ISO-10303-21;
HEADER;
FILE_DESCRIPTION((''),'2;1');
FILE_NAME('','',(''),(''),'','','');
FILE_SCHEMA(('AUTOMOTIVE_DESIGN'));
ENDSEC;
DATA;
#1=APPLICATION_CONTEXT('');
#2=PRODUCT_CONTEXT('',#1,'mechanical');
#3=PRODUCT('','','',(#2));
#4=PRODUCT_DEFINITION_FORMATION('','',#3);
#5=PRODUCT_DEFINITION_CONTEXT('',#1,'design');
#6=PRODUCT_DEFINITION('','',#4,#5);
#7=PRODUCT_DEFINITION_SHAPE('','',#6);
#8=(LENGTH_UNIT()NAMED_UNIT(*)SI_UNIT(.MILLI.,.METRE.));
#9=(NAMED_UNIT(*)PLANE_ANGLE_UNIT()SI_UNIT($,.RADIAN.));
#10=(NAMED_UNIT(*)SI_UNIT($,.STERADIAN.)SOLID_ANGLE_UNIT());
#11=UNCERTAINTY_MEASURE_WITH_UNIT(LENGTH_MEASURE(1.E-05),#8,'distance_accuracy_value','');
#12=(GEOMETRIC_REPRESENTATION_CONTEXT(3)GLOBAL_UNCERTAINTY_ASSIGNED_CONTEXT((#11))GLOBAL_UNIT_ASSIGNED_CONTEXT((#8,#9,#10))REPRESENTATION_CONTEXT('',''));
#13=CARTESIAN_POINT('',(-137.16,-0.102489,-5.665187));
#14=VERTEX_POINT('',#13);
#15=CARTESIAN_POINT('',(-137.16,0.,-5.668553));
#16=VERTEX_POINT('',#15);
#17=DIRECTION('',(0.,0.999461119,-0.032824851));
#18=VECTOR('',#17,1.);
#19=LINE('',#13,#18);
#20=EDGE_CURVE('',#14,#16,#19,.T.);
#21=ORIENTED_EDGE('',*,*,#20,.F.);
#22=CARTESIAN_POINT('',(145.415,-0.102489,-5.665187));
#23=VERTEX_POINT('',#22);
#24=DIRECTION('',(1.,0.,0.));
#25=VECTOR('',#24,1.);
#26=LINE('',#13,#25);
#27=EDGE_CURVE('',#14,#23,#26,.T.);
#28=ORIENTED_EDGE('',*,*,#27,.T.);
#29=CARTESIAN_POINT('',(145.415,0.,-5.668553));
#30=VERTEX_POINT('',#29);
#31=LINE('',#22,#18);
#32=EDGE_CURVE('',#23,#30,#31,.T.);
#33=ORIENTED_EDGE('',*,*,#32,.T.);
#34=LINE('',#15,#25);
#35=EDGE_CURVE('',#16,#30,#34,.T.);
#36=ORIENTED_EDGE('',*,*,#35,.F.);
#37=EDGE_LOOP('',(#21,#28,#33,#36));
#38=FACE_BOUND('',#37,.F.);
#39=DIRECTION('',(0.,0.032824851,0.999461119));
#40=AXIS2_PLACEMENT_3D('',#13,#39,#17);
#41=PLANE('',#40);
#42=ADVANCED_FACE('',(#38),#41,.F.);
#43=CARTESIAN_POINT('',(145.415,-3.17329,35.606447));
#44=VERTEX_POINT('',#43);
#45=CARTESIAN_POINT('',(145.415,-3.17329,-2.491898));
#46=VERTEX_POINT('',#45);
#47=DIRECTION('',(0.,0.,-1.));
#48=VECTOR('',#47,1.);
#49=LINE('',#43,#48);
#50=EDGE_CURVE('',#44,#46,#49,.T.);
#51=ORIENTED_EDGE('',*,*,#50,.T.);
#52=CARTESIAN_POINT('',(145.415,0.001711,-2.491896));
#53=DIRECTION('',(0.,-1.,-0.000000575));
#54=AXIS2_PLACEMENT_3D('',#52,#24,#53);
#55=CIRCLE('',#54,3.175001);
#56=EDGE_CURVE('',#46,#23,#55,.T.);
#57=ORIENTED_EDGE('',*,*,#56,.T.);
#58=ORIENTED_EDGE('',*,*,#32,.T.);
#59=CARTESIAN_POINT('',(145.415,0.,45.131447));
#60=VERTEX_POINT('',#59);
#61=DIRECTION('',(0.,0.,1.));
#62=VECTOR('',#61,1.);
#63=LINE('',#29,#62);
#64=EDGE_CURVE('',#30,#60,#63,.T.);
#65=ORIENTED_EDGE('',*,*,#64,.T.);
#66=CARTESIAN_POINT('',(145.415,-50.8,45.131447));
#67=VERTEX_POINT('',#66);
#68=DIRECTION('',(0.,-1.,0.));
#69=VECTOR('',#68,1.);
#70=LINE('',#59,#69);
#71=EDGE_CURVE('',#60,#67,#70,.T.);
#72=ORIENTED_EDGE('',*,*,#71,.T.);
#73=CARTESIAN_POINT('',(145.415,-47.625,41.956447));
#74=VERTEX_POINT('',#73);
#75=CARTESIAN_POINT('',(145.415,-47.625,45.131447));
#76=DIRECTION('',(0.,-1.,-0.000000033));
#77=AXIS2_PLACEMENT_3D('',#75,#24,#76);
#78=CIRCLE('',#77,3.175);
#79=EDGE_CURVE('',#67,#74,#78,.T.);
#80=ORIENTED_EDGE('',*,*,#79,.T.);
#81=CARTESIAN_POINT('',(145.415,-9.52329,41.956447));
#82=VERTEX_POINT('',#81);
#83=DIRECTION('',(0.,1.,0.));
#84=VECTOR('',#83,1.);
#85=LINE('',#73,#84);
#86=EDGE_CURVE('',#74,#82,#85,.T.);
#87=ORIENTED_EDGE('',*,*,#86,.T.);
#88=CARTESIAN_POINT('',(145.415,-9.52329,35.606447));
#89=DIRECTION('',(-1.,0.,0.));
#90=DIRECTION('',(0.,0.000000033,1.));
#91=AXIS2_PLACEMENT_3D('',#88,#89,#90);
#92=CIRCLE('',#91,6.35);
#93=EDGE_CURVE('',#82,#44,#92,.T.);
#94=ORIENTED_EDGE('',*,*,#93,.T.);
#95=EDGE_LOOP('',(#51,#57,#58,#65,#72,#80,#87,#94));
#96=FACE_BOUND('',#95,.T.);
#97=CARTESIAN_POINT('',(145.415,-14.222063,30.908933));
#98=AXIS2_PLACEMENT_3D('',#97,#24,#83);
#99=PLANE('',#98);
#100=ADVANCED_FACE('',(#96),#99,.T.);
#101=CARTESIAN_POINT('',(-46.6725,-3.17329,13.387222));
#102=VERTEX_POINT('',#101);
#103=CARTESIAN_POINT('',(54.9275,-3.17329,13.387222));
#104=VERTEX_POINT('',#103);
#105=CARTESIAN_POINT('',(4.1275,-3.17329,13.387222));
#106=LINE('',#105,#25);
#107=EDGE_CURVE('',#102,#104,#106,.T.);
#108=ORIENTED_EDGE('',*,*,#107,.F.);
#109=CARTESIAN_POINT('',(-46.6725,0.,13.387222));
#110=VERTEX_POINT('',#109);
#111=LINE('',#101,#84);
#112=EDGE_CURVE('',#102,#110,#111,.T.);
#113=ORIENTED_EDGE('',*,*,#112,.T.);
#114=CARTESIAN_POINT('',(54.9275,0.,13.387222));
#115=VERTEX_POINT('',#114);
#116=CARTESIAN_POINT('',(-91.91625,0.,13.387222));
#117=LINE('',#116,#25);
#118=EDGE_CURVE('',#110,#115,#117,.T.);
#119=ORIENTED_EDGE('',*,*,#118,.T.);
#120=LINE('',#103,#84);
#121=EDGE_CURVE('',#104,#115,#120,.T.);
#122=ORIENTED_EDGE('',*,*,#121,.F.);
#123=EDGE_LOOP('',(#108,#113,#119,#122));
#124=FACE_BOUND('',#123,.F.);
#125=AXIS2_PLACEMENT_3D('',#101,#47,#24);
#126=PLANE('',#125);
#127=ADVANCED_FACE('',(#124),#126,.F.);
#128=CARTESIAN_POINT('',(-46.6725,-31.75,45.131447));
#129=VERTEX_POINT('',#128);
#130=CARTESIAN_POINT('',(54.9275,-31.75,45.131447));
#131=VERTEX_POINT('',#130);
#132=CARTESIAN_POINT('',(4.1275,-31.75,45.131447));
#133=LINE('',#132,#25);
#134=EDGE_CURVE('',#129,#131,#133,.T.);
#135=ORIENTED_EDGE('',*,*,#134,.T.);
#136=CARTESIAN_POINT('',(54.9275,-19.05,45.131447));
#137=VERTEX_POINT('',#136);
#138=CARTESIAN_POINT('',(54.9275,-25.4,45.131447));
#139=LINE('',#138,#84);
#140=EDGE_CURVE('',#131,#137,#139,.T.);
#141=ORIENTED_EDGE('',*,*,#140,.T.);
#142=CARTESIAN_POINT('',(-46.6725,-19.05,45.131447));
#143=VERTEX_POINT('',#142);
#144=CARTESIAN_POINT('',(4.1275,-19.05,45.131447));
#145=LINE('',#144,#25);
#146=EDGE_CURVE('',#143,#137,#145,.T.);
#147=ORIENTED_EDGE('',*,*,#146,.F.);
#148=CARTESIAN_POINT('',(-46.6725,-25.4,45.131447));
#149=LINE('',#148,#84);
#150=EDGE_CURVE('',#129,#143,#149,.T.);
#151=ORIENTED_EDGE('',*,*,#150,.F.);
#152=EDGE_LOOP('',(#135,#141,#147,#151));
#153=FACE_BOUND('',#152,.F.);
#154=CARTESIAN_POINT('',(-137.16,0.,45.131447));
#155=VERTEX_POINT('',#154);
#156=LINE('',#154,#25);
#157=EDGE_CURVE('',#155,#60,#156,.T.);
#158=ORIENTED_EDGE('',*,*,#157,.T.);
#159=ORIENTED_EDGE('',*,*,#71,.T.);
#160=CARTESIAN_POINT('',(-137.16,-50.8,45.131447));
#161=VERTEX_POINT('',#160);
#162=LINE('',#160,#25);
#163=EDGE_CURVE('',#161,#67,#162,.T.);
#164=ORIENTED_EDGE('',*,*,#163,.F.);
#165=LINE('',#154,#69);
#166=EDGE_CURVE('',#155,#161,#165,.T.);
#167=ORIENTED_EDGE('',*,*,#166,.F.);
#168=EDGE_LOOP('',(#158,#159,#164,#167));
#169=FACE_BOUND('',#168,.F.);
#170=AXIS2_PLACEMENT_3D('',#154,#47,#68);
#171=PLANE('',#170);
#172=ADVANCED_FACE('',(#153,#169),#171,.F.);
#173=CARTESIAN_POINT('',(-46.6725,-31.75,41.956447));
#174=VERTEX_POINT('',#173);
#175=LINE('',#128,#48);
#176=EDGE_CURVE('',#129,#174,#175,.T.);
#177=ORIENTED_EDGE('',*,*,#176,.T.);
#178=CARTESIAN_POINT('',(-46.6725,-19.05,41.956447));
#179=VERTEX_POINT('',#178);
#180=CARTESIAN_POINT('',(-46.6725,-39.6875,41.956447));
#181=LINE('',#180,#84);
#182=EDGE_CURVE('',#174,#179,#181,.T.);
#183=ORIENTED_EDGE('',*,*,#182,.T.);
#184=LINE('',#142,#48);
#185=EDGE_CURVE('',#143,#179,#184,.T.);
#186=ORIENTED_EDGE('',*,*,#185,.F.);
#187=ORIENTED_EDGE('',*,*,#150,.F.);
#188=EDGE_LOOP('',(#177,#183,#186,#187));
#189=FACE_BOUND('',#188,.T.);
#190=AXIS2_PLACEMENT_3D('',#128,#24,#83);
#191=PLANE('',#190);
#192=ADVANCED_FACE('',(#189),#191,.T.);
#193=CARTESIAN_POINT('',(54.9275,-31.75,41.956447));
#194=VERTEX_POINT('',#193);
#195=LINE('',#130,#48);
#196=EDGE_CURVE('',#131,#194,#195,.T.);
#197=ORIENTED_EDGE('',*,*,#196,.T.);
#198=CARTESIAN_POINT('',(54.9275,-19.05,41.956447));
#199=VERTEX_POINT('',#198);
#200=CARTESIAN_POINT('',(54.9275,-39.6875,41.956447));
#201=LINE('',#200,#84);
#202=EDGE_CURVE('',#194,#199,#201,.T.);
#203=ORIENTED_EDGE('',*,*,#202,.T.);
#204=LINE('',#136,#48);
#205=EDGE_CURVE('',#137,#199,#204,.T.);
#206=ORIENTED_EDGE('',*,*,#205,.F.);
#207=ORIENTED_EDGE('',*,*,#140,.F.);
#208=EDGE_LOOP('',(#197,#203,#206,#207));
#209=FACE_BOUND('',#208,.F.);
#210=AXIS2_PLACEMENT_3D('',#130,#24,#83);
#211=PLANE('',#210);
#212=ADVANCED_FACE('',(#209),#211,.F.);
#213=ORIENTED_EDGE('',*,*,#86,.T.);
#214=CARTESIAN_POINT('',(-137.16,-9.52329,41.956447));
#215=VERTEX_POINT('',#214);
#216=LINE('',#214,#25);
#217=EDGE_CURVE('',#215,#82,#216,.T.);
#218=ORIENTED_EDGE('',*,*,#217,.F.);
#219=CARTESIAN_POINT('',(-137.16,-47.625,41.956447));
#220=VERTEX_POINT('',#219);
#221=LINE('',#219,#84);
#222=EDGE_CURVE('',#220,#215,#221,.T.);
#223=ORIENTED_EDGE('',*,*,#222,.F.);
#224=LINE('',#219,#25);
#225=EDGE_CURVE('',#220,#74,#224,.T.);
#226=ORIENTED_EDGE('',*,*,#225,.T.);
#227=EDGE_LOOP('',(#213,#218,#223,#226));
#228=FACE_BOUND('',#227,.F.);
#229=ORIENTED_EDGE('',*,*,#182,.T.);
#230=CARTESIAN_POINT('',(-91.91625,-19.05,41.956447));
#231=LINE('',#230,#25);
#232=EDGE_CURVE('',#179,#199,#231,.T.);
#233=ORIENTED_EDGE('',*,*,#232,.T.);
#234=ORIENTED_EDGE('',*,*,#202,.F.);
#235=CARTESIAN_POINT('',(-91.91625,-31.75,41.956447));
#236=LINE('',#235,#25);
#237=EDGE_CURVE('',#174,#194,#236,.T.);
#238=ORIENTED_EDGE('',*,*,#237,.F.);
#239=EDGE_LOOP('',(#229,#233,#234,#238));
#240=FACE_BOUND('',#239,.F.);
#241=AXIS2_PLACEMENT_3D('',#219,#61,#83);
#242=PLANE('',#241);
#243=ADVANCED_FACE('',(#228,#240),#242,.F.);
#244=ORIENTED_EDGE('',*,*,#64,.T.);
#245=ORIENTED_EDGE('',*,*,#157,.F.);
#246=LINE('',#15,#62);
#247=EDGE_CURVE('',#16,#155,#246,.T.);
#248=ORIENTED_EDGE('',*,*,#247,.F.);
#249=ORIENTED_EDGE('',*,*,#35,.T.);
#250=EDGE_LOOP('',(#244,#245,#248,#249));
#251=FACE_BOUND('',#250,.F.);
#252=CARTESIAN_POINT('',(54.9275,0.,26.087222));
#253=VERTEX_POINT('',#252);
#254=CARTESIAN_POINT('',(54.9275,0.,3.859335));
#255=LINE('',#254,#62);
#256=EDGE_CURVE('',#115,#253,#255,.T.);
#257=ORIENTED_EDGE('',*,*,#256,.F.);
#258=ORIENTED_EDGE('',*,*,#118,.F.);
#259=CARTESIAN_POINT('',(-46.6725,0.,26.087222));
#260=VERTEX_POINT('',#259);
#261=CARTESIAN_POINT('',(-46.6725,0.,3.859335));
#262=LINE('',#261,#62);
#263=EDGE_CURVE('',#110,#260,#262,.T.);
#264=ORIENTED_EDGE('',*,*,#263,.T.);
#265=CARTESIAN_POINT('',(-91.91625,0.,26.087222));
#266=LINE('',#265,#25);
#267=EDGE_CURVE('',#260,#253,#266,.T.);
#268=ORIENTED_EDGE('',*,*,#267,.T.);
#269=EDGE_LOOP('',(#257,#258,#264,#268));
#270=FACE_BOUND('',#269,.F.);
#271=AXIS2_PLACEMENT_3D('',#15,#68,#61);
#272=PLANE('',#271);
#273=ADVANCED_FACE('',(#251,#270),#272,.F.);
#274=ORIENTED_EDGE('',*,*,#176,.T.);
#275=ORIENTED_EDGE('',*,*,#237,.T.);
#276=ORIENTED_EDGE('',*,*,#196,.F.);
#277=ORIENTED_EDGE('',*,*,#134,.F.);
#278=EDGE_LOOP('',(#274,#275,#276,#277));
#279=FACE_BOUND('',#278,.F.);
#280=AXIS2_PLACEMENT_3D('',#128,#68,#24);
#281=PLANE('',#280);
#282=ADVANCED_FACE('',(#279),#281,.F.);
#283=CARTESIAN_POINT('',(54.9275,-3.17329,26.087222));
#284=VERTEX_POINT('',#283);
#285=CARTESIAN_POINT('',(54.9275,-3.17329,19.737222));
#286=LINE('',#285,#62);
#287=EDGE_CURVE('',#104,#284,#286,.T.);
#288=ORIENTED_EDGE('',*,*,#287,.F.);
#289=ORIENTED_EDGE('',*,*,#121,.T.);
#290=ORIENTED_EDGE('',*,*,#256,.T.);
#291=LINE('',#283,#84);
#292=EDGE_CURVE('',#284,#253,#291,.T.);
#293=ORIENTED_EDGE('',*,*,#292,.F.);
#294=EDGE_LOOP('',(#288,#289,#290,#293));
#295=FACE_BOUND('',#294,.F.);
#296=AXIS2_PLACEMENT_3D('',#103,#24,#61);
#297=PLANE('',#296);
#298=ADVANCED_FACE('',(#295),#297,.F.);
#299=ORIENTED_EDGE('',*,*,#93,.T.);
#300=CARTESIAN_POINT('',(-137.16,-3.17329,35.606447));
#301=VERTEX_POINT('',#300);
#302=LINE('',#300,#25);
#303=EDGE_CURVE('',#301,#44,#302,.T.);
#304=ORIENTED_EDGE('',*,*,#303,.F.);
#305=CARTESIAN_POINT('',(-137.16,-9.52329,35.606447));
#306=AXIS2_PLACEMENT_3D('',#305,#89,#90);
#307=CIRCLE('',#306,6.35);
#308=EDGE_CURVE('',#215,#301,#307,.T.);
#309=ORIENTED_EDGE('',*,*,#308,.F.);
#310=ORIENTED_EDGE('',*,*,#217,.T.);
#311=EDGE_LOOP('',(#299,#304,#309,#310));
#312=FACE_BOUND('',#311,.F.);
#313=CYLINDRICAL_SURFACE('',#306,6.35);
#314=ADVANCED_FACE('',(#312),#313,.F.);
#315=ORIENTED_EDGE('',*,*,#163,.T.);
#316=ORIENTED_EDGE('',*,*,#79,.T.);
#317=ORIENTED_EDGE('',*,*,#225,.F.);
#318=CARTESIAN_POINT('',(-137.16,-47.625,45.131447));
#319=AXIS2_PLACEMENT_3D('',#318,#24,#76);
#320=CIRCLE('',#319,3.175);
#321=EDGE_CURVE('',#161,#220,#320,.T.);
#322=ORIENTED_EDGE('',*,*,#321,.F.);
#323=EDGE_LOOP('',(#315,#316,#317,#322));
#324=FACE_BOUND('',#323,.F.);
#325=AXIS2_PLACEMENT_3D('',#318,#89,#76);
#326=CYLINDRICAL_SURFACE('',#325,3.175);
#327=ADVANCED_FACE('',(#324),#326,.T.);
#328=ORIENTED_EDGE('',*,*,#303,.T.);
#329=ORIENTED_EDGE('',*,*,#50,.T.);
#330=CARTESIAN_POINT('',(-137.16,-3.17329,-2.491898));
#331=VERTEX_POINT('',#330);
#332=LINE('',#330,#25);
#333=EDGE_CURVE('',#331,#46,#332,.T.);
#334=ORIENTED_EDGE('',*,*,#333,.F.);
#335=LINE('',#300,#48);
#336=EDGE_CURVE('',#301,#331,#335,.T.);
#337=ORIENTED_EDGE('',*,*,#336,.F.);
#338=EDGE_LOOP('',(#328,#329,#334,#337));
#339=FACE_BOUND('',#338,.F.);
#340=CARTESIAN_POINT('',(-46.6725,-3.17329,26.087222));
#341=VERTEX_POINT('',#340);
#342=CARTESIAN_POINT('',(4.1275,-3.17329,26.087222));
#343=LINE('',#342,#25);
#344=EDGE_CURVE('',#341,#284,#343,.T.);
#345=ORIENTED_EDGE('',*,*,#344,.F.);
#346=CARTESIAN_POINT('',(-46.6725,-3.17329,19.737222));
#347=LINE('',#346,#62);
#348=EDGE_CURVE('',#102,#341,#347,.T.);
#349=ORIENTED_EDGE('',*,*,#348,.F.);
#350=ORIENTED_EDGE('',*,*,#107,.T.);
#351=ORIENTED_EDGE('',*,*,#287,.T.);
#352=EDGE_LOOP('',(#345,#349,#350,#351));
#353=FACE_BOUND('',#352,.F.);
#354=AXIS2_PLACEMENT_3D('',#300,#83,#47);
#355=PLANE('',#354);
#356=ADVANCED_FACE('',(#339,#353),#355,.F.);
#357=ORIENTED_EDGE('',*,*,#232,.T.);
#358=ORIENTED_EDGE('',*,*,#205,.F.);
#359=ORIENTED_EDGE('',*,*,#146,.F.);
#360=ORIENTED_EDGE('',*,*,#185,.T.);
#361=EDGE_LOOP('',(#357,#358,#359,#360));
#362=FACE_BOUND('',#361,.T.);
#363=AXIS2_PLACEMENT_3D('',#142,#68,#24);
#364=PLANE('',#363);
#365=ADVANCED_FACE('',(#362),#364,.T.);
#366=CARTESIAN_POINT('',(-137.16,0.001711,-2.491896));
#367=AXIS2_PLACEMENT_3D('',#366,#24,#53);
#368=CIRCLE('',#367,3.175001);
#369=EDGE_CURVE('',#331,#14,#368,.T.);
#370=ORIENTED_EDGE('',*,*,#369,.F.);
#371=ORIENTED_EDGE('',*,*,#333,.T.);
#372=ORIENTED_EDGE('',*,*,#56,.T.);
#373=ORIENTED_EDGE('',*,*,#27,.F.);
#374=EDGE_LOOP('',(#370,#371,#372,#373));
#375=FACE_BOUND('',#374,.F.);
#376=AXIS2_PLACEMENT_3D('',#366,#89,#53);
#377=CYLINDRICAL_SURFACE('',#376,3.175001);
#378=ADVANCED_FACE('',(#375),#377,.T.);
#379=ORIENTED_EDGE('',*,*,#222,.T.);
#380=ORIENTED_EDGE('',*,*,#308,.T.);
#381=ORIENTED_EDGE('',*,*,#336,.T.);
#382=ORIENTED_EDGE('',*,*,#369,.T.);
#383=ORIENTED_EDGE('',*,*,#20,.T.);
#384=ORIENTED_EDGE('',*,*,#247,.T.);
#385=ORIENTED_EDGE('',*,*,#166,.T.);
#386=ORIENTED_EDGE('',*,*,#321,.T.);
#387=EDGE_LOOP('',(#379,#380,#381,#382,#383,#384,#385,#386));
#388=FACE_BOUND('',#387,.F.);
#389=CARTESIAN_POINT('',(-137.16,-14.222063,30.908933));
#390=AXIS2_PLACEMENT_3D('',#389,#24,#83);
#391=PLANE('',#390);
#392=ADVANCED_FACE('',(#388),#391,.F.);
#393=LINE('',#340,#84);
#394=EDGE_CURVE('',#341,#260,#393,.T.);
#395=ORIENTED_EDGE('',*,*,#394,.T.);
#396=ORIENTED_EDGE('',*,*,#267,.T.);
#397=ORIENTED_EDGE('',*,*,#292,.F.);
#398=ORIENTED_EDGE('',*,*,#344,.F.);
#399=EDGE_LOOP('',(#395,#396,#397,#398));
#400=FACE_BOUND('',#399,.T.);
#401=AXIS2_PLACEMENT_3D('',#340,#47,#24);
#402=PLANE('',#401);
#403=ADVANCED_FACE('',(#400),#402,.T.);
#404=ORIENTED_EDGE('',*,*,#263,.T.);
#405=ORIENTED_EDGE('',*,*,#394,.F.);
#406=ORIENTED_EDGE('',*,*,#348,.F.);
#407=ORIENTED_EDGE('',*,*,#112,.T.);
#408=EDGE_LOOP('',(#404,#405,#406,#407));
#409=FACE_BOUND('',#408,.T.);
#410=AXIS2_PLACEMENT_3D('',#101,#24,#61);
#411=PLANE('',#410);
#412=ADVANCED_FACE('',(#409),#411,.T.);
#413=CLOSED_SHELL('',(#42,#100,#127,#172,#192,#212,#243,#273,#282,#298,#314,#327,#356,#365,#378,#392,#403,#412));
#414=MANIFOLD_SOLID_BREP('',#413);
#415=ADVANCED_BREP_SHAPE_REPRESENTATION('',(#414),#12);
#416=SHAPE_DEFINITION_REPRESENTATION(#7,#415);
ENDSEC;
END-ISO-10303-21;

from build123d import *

# Parameters (mm, degrees)
F1_DEPTH      = 282.575
F4_W          = 101.6
F4_H          = 12.7
F5_DEPTH      = 25.4
F5_DEPTH_BACK = 25.4
F3_W          = 101.6
F3_H          = 12.7
F6_DEPTH      = 25.4
F6_DEPTH_BACK = 25.4


with BuildPart() as f1:
    # F0 (on Right) → F1 (new body)
    with BuildSketch(Plane.YZ):
        with BuildLine():
            Line((-0.102489, -7.189187), (0, -7.192553))
            Line((0, -7.192553), (0, 43.607447))
            Line((0, 43.607447), (-50.8, 43.607447))
            ThreePointArc((-50.8, 43.607447), (-49.870064, 41.362383), (-47.625, 40.432447))
            Line((-47.625, 40.432447), (-9.52329, 40.432447))
            ThreePointArc((-9.52329, 40.432447), (-5.033162, 38.572575), (-3.17329, 34.082447))
            Line((-3.17329, 34.082447), (-3.17329, -4.015898))
            ThreePointArc((-3.17329, -4.015898), (-2.279896, -6.223814), (-0.102489, -7.189187))
        make_face()
    extrude(amount=F1_DEPTH)


with BuildPart() as f1_1:
    # F2: moved
    add(f1.part.moved(Location((-137.16, 0, 1.524))))

    # F4 (on face) → F5 (cut, two sides)
    with BuildSketch(Plane.XZ.offset(3.17329)) as f5_sk:
        with Locations((4.1275, 19.737222)):
            Rectangle(F4_W, F4_H)
    extrude(amount=-F5_DEPTH, mode=Mode.SUBTRACT)
    extrude(f5_sk.sketch, amount=-F5_DEPTH_BACK, mode=Mode.SUBTRACT)

    # F3 (on face) → F6 (cut, two sides)
    with BuildSketch(Plane.XY.offset(45.131447)) as f6_sk:
        with Locations((4.1275, -25.4)):
            Rectangle(F3_W, F3_H)
    extrude(amount=-F6_DEPTH, mode=Mode.SUBTRACT)
    extrude(f6_sk.sketch, amount=-F6_DEPTH_BACK, mode=Mode.SUBTRACT)


solid = f1_1.part
